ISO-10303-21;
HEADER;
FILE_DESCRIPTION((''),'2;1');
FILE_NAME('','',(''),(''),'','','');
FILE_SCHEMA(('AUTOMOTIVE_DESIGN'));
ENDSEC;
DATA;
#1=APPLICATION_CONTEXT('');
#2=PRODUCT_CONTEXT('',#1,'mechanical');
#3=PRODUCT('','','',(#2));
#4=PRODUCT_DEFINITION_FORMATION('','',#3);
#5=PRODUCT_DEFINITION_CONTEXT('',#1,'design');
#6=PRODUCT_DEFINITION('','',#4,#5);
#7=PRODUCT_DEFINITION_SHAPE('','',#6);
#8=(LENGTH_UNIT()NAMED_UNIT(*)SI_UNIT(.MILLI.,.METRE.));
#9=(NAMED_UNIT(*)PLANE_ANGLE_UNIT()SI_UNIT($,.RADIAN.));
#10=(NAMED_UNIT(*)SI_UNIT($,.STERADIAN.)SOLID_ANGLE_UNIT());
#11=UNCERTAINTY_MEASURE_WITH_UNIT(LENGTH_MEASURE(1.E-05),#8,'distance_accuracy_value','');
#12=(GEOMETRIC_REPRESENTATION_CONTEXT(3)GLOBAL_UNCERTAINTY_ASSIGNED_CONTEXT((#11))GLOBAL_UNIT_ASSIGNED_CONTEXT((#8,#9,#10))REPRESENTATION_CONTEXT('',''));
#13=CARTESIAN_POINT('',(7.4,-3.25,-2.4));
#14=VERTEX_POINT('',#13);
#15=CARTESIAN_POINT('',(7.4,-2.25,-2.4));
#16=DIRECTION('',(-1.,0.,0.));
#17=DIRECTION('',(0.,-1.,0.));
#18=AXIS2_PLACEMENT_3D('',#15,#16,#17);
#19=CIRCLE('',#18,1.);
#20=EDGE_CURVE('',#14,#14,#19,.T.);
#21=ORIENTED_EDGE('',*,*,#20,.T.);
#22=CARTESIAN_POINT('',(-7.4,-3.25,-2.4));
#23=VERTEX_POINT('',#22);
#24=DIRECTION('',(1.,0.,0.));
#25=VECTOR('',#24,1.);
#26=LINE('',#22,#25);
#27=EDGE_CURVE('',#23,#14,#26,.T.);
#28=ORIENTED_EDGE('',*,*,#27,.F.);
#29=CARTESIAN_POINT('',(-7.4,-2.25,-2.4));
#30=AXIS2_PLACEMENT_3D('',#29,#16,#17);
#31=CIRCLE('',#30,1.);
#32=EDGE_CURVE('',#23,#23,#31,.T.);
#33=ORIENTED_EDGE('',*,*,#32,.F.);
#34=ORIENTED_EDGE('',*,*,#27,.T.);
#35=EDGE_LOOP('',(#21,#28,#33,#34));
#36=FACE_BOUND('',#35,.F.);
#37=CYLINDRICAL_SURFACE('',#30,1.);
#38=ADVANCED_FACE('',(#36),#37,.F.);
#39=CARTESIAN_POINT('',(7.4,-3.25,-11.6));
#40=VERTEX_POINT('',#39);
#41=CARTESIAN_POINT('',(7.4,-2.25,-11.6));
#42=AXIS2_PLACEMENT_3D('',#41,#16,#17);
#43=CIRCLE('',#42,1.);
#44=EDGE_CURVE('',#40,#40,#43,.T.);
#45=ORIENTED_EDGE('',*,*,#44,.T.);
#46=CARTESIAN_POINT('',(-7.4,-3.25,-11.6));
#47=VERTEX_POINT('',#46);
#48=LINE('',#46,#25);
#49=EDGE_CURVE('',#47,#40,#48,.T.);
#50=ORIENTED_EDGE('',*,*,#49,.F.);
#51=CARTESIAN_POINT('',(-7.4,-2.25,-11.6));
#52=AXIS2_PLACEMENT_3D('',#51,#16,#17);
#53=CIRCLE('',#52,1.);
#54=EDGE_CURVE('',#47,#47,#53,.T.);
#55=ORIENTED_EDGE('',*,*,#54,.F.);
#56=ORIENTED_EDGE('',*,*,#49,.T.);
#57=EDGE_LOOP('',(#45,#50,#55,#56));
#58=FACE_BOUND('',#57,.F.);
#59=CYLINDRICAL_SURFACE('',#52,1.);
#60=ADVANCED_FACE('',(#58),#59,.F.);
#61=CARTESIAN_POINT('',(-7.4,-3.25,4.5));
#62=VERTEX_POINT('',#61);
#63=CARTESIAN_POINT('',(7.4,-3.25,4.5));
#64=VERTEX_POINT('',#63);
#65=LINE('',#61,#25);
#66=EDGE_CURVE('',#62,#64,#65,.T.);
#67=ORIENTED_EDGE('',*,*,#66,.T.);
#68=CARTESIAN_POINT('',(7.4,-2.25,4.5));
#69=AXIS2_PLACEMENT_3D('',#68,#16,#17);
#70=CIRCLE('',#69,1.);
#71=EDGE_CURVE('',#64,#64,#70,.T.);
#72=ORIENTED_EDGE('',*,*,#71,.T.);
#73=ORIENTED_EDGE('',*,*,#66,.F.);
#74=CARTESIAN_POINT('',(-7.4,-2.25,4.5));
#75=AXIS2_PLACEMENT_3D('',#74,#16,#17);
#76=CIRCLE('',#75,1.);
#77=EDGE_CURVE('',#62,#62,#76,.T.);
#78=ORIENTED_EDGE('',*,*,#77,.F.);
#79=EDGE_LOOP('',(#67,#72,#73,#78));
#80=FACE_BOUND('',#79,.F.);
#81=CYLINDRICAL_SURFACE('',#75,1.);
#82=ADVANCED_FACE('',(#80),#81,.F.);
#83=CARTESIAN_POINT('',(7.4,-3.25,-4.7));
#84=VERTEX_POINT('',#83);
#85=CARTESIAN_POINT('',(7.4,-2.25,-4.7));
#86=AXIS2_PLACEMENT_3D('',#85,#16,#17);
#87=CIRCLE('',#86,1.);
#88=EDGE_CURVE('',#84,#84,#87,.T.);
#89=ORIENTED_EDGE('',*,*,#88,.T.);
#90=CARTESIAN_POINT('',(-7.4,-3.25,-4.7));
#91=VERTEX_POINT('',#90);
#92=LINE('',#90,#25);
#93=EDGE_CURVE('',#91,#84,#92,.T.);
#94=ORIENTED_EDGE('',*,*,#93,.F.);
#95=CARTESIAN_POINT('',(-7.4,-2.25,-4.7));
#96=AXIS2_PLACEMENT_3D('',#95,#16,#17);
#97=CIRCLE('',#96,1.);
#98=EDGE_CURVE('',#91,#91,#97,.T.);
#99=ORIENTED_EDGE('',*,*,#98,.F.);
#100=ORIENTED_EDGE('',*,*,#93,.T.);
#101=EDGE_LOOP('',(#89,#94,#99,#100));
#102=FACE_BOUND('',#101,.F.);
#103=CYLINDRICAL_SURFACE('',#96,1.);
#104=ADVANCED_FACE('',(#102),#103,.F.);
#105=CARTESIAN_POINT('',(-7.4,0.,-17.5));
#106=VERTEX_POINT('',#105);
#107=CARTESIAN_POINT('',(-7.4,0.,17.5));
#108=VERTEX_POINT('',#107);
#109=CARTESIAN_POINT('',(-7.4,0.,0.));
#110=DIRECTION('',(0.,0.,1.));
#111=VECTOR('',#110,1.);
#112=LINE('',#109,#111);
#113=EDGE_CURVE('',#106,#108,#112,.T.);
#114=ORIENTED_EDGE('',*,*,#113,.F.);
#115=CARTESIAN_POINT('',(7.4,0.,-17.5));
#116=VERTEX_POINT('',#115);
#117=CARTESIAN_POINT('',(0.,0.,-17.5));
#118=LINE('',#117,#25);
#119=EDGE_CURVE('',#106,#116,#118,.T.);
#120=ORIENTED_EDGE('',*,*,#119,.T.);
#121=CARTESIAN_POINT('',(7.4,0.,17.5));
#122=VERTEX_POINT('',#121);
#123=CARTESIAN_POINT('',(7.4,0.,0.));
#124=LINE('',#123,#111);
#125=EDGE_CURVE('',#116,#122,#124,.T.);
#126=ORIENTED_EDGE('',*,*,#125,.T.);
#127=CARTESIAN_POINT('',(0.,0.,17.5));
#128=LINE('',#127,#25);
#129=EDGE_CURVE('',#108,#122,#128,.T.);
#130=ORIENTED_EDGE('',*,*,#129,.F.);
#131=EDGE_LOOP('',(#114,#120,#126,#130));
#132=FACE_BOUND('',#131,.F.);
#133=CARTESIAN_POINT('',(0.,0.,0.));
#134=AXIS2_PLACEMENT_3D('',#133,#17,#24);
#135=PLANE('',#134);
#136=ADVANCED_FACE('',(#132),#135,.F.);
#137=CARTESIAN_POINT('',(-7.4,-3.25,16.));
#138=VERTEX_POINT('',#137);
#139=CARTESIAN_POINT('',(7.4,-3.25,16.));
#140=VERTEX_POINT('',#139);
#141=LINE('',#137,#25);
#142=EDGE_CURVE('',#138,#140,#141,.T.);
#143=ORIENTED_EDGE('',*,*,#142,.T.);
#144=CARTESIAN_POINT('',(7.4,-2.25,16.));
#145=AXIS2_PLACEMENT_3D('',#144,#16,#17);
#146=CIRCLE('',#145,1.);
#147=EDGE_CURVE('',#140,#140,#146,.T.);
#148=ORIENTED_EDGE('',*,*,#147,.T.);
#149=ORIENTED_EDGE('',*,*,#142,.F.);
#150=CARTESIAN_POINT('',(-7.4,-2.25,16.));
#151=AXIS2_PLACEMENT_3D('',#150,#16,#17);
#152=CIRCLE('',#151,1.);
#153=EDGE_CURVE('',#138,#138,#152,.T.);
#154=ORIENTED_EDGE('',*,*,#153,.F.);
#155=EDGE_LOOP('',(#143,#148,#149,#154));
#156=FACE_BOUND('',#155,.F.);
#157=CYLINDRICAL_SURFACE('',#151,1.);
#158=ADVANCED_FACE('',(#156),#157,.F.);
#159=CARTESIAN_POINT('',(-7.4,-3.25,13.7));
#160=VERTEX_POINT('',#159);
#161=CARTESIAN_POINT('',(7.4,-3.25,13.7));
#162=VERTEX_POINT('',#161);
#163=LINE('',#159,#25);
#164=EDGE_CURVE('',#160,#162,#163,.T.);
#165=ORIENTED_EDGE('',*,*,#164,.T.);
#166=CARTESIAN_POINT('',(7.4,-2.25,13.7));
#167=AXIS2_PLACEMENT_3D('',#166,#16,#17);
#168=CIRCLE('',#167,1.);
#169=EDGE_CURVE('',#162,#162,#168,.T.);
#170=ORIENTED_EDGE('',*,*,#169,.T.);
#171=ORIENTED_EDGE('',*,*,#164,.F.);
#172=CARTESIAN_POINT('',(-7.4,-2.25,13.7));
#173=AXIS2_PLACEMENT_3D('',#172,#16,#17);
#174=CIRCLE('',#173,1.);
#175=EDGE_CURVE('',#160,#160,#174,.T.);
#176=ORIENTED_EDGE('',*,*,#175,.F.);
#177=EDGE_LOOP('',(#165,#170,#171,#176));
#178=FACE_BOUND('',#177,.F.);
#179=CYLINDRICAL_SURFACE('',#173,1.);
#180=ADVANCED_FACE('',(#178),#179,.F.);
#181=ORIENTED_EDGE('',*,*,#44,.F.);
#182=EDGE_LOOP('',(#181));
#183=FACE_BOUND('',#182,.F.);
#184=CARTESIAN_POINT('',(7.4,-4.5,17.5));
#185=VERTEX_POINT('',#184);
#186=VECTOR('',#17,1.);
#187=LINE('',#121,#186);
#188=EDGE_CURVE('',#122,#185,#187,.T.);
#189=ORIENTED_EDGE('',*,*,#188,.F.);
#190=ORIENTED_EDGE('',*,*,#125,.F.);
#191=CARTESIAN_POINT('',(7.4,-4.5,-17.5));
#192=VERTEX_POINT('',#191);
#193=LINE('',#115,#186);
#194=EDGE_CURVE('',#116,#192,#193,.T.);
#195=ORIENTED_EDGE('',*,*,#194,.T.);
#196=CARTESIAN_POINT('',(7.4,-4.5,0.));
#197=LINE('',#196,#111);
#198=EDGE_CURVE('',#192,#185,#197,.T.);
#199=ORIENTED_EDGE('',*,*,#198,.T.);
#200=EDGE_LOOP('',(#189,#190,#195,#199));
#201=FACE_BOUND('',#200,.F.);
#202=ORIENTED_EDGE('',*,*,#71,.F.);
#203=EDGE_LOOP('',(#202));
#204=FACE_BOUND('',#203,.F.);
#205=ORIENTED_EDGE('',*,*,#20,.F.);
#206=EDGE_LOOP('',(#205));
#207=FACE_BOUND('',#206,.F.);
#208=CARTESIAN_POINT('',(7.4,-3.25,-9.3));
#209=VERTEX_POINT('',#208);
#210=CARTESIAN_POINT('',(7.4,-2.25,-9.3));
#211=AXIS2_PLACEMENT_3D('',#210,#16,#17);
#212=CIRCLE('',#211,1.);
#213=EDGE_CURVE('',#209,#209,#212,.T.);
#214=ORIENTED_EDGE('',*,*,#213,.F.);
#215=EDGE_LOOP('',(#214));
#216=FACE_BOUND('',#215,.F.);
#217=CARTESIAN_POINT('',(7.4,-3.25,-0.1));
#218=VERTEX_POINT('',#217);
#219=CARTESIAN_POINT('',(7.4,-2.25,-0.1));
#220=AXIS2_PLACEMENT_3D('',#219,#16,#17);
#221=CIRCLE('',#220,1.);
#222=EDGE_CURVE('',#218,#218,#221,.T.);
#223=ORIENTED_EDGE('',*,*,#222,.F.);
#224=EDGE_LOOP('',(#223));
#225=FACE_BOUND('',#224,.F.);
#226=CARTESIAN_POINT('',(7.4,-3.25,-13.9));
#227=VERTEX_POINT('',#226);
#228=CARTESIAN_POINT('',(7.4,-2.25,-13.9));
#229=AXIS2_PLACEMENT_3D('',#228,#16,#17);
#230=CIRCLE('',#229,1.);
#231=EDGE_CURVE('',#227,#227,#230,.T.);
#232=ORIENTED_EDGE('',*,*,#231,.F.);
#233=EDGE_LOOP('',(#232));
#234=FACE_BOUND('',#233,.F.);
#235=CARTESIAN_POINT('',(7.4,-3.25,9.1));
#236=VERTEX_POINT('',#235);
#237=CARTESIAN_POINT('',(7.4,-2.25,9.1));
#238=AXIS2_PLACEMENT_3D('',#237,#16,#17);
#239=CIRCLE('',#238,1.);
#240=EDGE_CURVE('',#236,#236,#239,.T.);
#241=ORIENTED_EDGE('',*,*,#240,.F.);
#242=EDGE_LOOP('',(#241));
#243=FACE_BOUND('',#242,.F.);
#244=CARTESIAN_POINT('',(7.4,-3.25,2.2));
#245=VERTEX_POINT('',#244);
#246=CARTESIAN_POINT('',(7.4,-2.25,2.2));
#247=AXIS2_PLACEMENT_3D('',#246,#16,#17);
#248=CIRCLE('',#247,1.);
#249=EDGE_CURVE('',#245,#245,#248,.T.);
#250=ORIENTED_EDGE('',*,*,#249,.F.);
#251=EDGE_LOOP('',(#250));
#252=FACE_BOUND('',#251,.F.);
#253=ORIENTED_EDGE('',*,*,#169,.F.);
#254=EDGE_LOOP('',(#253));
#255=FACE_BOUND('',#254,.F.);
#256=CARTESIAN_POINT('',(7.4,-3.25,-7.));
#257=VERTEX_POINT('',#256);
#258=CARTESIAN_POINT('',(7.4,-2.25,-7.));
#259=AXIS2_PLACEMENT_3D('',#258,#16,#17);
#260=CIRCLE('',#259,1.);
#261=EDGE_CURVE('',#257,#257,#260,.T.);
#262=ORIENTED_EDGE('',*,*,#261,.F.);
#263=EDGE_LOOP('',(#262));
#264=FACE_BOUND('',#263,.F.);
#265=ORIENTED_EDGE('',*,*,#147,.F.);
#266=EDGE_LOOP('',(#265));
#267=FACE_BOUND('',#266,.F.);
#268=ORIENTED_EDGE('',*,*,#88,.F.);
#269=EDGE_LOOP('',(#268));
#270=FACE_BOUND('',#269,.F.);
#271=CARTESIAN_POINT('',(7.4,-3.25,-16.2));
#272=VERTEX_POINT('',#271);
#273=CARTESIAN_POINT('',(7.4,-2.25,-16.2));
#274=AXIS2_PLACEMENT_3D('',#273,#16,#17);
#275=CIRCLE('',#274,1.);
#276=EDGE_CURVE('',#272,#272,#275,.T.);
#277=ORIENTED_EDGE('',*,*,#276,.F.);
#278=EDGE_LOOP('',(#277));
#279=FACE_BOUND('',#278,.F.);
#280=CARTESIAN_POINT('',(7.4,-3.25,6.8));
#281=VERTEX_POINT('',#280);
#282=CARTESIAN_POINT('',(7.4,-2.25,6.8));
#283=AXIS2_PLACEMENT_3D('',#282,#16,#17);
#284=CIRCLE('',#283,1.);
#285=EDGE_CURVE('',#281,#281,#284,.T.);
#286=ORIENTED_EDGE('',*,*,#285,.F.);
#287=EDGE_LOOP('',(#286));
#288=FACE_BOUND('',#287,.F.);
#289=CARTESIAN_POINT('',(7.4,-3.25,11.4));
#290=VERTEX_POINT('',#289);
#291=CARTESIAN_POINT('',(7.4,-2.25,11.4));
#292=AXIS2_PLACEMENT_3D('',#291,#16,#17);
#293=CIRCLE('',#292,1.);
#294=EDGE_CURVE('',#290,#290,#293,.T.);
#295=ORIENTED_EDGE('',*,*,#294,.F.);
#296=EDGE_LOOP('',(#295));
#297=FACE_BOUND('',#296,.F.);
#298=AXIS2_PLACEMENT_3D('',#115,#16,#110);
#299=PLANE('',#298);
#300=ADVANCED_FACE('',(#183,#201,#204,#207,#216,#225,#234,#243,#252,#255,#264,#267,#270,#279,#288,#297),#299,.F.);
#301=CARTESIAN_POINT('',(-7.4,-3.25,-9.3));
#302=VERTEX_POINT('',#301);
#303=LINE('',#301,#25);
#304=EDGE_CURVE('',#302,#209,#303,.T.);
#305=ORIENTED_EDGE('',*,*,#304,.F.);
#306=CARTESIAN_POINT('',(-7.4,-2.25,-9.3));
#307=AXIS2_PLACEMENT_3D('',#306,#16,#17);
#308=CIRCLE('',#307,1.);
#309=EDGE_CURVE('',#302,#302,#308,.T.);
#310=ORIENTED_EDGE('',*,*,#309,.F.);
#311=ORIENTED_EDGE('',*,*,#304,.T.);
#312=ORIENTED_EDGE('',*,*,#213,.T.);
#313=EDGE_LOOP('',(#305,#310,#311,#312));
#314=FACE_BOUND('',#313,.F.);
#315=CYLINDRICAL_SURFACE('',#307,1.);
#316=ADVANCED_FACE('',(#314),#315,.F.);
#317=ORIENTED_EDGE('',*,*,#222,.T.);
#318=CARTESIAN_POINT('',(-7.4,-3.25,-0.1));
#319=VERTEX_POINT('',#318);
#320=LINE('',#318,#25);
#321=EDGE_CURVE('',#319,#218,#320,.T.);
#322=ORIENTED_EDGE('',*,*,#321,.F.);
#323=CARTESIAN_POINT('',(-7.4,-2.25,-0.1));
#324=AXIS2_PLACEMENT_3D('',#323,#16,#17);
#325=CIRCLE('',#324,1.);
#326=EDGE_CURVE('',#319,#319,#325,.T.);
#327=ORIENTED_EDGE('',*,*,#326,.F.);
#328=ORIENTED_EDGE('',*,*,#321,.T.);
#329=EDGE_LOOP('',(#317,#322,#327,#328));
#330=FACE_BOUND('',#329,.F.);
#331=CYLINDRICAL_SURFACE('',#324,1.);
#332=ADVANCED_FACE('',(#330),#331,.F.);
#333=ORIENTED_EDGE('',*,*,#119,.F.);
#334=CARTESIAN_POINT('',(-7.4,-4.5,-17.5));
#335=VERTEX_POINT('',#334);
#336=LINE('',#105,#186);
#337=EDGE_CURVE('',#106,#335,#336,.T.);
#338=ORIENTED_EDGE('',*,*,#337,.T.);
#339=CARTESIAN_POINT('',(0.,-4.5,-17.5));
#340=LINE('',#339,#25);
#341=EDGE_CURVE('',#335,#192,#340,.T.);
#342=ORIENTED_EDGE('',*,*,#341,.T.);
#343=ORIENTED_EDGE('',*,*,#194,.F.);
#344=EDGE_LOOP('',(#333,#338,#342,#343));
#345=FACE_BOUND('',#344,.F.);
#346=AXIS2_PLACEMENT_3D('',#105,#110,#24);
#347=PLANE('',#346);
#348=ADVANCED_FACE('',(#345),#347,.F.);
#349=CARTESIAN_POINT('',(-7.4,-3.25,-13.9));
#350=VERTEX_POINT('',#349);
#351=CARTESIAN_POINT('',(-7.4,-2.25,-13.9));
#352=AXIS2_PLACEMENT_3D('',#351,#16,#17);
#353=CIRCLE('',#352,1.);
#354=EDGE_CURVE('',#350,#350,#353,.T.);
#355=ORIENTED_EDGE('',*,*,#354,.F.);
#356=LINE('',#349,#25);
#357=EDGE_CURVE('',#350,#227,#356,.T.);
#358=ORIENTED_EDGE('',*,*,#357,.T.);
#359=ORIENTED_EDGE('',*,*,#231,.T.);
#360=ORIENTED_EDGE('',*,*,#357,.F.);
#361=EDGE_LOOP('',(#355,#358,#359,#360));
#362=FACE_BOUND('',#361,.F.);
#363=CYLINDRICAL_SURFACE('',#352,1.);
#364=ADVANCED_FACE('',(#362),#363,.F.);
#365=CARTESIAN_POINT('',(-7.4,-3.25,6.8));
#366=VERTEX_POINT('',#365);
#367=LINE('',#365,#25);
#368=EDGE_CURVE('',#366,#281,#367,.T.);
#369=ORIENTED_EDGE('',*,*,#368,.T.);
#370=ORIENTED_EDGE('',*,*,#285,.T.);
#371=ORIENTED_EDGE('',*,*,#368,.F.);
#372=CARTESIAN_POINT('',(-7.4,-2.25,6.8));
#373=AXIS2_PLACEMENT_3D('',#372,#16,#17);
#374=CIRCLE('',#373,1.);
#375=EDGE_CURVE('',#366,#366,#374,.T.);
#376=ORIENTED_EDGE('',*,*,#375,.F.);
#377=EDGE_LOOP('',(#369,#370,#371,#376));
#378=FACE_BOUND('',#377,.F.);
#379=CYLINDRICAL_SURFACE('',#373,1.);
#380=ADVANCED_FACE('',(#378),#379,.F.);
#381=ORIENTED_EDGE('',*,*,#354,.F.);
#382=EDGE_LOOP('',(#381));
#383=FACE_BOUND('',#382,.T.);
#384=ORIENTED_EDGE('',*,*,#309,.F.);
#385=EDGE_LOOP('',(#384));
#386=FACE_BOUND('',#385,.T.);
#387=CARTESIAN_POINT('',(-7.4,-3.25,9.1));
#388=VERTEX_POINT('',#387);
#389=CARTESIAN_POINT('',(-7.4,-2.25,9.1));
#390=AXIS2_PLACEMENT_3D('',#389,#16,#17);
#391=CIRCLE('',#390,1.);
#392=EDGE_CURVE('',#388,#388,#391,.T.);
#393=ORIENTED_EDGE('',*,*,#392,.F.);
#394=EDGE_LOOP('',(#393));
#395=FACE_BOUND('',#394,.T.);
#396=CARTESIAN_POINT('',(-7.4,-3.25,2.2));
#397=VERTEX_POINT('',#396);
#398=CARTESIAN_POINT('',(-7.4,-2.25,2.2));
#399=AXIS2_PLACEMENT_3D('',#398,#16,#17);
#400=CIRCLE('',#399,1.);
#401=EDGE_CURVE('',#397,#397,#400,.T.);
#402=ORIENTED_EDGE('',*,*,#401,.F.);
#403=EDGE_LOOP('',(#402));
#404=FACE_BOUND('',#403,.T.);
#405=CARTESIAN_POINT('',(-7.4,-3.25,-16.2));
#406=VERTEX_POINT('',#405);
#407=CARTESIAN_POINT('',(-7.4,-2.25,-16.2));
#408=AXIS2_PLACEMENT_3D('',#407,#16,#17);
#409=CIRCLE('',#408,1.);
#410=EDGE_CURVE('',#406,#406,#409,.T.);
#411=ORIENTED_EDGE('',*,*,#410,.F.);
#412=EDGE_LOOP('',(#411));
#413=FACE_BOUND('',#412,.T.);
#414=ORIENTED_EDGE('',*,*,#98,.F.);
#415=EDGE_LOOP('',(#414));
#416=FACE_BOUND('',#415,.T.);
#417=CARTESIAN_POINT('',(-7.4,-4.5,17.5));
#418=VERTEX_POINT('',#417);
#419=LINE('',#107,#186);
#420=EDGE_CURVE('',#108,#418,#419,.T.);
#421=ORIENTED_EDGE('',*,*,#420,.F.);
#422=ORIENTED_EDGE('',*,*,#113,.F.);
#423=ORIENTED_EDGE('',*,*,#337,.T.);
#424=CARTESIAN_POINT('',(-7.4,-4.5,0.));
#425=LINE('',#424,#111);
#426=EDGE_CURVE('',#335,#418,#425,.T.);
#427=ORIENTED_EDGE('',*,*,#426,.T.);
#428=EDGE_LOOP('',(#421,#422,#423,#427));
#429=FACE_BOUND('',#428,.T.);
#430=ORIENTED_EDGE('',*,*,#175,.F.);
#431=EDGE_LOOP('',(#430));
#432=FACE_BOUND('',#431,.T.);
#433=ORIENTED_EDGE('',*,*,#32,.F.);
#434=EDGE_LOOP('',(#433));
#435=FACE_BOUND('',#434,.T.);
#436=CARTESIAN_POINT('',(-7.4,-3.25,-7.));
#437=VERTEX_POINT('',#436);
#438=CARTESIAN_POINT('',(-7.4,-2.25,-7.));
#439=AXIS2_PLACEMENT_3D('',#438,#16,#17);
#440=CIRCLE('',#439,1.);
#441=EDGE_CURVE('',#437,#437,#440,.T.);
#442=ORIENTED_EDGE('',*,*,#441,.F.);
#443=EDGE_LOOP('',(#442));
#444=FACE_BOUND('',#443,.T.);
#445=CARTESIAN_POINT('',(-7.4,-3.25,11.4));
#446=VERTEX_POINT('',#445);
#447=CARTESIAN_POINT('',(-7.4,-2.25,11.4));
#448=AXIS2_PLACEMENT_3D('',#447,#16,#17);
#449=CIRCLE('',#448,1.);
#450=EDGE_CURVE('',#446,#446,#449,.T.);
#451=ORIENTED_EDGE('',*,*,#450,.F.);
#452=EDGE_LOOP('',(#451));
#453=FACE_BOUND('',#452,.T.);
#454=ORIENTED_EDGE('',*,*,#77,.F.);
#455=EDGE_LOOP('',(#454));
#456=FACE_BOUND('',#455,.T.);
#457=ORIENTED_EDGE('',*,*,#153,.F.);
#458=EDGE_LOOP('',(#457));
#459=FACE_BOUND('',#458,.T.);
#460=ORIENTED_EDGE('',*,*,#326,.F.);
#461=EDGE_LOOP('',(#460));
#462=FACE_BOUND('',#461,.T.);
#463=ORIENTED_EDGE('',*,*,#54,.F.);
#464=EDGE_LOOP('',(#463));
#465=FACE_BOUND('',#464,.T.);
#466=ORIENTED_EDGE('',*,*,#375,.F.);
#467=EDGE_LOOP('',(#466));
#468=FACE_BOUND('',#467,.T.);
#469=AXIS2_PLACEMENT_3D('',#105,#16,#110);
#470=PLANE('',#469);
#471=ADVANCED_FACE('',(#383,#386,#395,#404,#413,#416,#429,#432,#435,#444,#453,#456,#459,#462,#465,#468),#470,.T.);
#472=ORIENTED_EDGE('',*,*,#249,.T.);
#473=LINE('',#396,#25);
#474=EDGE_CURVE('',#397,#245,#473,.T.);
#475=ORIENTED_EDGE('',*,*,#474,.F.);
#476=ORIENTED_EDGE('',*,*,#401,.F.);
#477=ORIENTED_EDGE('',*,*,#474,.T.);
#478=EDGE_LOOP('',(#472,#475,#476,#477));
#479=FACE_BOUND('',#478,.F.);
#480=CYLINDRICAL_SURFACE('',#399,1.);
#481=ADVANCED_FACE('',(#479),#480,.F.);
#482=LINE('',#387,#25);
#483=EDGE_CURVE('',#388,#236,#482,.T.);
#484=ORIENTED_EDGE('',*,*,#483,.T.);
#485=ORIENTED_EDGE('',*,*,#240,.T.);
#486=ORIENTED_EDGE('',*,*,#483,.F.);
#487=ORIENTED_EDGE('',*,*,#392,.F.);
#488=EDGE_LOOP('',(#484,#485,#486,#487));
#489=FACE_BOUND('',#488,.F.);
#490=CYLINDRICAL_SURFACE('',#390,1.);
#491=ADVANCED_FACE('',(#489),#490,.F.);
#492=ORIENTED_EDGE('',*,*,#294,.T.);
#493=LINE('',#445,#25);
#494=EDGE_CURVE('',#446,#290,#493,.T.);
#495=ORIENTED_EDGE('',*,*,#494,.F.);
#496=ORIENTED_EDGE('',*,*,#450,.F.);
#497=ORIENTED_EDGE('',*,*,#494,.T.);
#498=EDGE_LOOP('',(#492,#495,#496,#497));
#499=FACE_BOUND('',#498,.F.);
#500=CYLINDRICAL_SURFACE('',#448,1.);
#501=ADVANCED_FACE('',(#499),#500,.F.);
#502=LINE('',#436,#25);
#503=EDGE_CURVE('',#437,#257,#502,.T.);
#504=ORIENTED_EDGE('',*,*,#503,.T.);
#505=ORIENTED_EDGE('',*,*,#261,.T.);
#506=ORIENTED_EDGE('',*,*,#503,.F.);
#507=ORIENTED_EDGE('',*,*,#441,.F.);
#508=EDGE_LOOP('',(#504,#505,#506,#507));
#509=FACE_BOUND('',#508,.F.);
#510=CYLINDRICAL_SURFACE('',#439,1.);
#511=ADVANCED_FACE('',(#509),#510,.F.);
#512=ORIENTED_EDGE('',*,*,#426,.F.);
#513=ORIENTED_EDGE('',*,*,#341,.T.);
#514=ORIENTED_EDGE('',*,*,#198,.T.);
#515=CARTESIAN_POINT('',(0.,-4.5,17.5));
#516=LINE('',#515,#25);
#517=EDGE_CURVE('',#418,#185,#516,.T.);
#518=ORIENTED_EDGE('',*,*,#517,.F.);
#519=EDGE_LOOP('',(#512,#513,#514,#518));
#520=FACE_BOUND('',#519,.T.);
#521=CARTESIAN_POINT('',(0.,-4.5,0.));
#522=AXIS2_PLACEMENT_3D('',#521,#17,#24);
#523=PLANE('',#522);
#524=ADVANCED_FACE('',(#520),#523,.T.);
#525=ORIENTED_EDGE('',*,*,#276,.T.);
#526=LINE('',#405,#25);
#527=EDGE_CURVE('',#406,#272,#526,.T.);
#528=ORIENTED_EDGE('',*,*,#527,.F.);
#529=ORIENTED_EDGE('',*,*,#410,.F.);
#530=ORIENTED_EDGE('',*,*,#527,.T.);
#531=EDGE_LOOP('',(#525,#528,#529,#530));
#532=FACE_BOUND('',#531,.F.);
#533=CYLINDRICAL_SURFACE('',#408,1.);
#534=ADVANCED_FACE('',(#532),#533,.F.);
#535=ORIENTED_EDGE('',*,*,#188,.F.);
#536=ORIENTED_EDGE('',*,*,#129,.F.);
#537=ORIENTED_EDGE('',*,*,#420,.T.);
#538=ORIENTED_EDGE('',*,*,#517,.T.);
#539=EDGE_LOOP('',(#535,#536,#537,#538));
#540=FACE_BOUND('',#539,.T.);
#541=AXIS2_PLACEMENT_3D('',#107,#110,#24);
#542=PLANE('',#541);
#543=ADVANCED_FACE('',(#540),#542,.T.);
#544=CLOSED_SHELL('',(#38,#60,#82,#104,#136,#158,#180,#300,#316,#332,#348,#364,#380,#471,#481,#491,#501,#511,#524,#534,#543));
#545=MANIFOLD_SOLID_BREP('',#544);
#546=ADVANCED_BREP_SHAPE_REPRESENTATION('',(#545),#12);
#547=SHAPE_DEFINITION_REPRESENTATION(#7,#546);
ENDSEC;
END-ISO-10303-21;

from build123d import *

# Parameters (mm, degrees)
F0_W     = 14.8
F0_H     = 35
F1_DEPTH = 4.5
F2_R     = 1
F3_DEPTH = 14.801


with BuildPart() as f1:
    # F0 (on Front) → F1 (new body)
    with BuildSketch(Plane.XZ):
        Rectangle(F0_W, F0_H)
    extrude(amount=F1_DEPTH)

    # F2 (on face) → F3 (cut, through all)
    with BuildSketch(Plane(origin=(-7.4, 0, 0), x_dir=(0, -1, 0), z_dir=(-1, 0, 0))):
        with Locations((2.25, 16)):
            Circle(F2_R)
        with Locations((2.25, 13.7)):
            Circle(F2_R)
        with Locations((2.25, 11.4)):
            Circle(F2_R)
        with Locations((2.25, 9.1)):
            Circle(F2_R)
        with Locations((2.25, 6.8)):
            Circle(F2_R)
        with Locations((2.25, 4.5)):
            Circle(F2_R)
        with Locations((2.25, 2.2)):
            Circle(F2_R)
        with Locations((2.25, -0.1)):
            Circle(F2_R)
        with Locations((2.25, -2.4)):
            Circle(F2_R)
        with Locations((2.25, -4.7)):
            Circle(F2_R)
        with Locations((2.25, -7)):
            Circle(F2_R)
        with Locations((2.25, -9.3)):
            Circle(F2_R)
        with Locations((2.25, -11.6)):
            Circle(F2_R)
        with Locations((2.25, -13.9)):
            Circle(F2_R)
        with Locations((2.25, -16.2)):
            Circle(F2_R)
    extrude(amount=-F3_DEPTH, mode=Mode.SUBTRACT)


solid = f1.part
